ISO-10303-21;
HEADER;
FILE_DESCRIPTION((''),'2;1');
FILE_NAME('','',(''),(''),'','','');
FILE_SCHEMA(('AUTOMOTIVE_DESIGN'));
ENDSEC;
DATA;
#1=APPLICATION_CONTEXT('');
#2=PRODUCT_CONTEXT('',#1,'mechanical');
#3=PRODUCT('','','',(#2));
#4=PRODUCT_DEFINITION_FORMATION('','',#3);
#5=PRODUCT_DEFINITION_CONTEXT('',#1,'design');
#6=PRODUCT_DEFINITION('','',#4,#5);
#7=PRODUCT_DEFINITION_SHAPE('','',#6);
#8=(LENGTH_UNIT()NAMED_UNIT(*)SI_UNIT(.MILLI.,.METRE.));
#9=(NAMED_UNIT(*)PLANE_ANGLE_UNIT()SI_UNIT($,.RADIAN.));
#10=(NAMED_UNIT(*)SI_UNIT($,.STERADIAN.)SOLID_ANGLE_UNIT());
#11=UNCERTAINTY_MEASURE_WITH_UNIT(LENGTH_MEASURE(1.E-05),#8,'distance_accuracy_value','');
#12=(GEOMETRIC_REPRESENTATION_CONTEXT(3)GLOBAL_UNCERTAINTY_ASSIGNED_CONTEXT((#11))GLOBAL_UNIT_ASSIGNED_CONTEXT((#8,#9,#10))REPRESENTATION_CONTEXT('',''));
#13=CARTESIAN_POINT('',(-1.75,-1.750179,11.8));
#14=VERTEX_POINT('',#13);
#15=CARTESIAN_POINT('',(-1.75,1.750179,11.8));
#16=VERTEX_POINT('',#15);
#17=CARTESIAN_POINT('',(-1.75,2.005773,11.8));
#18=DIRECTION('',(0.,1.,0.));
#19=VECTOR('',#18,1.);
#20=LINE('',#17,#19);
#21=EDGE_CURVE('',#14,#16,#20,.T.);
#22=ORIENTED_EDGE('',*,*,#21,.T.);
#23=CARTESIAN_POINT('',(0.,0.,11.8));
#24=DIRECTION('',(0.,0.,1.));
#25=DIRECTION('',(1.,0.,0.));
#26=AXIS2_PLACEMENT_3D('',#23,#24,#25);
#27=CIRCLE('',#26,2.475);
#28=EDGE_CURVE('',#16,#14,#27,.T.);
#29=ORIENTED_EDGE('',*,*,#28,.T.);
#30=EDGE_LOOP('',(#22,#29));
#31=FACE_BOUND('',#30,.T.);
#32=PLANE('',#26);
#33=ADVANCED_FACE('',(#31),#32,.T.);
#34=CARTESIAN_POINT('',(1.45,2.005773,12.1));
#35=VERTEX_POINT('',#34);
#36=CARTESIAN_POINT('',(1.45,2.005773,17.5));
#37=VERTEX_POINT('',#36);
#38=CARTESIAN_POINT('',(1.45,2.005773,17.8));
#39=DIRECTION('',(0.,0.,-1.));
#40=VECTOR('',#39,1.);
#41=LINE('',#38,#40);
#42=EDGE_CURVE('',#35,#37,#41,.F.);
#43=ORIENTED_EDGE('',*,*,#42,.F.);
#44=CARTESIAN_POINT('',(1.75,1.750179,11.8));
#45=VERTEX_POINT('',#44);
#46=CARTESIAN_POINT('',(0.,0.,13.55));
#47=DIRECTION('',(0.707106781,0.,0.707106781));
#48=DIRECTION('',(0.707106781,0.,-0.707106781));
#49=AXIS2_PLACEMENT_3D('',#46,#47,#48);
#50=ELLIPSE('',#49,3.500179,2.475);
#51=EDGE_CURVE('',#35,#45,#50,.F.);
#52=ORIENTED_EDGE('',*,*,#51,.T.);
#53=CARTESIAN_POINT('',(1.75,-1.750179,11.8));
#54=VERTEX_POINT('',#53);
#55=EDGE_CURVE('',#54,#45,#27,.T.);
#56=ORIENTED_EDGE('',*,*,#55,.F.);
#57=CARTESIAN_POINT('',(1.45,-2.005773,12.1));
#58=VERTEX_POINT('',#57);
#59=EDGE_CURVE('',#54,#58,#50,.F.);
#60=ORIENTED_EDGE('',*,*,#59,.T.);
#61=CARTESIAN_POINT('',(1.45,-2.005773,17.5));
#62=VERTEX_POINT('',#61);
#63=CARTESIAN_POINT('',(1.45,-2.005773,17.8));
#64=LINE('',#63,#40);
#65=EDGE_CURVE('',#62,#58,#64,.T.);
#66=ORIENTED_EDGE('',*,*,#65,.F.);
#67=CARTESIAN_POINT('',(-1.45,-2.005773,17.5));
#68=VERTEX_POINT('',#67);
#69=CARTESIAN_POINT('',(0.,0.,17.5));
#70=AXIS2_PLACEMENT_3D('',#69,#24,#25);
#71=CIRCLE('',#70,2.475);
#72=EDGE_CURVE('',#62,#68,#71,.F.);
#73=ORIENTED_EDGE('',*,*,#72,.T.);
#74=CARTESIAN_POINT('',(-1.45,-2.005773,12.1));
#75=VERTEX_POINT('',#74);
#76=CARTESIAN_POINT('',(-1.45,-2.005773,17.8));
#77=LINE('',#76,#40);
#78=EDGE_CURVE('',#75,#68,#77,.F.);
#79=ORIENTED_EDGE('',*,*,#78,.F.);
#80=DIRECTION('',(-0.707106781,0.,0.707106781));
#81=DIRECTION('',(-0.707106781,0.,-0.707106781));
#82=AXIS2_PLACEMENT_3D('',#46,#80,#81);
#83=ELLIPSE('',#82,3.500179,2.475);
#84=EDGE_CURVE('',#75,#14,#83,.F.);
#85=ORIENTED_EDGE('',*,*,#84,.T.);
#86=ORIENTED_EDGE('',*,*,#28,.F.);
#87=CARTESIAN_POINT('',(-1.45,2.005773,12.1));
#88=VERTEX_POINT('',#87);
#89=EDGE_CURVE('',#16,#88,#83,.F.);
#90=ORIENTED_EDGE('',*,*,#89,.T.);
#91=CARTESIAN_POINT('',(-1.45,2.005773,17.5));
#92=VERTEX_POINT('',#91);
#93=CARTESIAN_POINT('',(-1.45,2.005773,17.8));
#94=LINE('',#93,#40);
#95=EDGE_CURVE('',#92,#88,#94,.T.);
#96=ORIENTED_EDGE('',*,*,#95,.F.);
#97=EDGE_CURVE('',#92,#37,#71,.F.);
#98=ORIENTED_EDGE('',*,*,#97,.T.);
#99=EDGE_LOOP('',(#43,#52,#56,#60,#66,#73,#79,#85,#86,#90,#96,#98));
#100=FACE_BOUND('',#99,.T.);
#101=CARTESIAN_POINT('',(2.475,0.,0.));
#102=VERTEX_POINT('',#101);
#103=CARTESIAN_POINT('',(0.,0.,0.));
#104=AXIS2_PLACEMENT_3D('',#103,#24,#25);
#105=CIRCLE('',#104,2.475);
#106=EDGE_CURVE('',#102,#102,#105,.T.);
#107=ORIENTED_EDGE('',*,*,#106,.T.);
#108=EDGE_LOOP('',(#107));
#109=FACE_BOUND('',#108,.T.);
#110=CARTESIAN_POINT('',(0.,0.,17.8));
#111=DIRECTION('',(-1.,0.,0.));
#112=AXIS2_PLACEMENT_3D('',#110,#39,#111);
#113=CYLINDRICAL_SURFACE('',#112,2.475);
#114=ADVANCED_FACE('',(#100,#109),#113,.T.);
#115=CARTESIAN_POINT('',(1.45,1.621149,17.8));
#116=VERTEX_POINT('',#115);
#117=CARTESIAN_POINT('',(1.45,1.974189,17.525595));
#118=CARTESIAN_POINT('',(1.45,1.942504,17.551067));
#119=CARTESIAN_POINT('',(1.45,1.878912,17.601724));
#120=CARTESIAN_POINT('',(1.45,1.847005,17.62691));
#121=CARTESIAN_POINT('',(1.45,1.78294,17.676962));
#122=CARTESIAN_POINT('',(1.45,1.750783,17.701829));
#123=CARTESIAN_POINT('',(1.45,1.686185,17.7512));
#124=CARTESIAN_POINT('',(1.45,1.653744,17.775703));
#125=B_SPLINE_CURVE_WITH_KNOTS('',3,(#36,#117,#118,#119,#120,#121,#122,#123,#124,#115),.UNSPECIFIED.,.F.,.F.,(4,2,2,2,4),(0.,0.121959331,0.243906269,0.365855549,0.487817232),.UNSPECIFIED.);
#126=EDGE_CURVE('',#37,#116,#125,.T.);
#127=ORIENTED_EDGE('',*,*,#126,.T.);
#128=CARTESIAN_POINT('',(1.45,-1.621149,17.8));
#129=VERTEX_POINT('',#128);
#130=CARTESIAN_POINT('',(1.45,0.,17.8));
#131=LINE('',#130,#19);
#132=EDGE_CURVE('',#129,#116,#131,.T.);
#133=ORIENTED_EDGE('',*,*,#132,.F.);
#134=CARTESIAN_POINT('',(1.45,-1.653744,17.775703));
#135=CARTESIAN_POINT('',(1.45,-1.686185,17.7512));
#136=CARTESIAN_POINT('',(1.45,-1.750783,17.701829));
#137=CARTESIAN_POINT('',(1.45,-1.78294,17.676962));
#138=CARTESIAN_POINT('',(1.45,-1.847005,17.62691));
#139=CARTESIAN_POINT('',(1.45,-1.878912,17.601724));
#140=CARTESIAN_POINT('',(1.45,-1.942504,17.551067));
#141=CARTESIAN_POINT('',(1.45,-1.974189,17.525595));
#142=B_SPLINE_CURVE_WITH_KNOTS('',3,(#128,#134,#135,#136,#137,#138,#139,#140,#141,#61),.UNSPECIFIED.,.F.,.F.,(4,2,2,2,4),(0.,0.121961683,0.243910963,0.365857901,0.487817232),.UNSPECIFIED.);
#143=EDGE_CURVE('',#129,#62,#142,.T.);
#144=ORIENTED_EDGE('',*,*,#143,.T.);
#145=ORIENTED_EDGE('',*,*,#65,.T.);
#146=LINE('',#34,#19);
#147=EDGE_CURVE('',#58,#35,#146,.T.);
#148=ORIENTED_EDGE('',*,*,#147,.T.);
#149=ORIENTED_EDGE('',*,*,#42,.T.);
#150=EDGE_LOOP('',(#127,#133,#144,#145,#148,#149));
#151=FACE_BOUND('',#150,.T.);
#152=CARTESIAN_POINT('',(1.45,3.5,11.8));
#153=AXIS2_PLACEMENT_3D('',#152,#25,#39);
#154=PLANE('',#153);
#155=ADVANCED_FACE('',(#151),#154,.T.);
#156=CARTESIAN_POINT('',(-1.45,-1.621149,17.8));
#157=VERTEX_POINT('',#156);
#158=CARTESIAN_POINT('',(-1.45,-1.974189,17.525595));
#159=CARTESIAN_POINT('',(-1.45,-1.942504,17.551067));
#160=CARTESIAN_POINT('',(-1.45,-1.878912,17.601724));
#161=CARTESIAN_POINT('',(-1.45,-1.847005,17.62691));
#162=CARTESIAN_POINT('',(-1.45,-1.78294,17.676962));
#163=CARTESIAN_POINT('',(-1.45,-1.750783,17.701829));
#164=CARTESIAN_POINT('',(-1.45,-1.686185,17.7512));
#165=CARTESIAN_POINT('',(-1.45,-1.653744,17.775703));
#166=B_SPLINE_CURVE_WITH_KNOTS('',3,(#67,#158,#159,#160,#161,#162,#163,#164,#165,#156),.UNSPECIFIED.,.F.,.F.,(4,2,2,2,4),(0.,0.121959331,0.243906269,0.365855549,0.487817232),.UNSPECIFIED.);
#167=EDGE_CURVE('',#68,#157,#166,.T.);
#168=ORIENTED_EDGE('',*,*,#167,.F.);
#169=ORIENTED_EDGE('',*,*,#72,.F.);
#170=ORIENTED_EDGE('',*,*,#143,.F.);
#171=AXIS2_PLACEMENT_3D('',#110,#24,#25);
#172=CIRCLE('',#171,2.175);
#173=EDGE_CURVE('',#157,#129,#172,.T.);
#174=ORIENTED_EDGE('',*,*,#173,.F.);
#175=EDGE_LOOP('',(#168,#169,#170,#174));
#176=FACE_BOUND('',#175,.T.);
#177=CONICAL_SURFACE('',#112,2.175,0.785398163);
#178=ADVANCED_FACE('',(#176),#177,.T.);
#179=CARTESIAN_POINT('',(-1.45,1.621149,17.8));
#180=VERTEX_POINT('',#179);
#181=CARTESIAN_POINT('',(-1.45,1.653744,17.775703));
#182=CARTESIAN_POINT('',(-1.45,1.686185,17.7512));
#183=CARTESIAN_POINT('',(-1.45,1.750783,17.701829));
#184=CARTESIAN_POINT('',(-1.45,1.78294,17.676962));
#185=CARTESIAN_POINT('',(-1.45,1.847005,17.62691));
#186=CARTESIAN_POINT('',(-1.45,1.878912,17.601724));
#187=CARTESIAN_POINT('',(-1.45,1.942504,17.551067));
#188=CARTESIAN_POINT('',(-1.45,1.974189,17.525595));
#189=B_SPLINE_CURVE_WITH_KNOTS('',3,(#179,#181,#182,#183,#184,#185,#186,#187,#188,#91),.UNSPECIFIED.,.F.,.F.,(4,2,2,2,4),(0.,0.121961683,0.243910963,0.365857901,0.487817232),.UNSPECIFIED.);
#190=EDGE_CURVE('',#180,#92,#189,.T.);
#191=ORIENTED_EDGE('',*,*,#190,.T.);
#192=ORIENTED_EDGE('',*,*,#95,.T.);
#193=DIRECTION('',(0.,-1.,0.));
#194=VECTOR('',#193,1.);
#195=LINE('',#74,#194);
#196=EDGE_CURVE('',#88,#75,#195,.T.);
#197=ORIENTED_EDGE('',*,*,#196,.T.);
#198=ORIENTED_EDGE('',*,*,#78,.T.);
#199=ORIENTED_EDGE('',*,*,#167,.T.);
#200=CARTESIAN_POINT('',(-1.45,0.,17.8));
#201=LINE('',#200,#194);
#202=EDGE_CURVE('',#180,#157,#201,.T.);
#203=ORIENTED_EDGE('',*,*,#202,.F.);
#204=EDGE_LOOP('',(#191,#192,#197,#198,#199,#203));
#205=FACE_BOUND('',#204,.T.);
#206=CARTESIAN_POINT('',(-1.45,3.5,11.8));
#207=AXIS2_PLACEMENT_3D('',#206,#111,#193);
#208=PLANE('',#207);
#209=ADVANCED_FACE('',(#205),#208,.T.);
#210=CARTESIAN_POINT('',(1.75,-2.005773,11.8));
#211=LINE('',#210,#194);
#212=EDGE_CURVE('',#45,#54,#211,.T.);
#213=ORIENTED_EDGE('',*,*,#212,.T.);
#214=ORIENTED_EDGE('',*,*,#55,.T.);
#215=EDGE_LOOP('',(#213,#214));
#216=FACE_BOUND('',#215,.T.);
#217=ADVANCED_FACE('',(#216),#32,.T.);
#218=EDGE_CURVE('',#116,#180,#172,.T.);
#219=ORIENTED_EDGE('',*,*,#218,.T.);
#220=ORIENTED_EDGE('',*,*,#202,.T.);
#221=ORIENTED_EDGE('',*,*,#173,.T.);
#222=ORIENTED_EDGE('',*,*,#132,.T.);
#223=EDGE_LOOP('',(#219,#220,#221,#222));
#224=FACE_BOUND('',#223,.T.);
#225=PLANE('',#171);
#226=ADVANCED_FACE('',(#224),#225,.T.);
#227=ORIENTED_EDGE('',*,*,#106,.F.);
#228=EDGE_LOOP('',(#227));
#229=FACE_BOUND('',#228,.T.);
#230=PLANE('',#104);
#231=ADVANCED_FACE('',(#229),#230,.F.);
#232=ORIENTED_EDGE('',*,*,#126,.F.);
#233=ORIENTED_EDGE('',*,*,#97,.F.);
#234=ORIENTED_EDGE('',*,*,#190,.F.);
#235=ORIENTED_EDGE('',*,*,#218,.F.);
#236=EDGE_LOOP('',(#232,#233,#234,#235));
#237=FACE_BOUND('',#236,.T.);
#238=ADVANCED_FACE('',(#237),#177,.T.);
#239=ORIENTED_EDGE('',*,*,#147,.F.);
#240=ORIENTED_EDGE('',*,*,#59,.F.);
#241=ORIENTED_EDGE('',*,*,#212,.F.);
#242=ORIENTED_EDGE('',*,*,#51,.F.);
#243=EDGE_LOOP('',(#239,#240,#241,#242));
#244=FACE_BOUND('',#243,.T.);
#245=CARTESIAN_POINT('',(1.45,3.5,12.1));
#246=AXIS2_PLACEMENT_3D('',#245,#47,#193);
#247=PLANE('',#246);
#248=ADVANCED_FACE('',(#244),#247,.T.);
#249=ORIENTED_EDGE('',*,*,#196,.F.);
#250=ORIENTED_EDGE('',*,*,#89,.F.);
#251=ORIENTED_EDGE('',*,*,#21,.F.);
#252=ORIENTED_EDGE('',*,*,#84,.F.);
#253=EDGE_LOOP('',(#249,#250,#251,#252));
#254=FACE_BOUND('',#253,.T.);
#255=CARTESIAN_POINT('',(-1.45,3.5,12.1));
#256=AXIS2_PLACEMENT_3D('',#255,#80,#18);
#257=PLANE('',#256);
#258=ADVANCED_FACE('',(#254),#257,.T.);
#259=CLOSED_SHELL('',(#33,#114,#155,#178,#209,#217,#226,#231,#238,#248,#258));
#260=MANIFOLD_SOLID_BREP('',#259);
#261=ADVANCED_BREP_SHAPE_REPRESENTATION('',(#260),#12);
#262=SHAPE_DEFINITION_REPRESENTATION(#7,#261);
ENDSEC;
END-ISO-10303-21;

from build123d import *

# Parameters (mm, degrees)
SKETCH1_R           = 2.475
EXTRUDE1_DEPTH      = 17.8
SKETCH2_OUTSIDE_W   = 10.776
SKETCH2_OUTSIDE_H   = 10.776
SKETCH2_OUTSIDE_W_2 = 2.9
SKETCH2_OUTSIDE_H_2 = 7
EXTRUDE2_DEPTH      = 6
CHAMFER1_SIZE       = 0.3
CHAMFER2_SIZE       = 0.3


with BuildPart() as part:
    # Sketch1 → Extrude1 (new body)
    with BuildSketch(Plane.XY):
        Circle(SKETCH1_R)
    extrude(amount=EXTRUDE1_DEPTH)

    # Sketch2 outside → Extrude2 (cut)
    with BuildSketch(Plane.XY.offset(17.8)):
        Rectangle(SKETCH2_OUTSIDE_W, SKETCH2_OUTSIDE_H)
        Rectangle(SKETCH2_OUTSIDE_W_2, SKETCH2_OUTSIDE_H_2, mode=Mode.SUBTRACT)
    extrude(amount=-EXTRUDE2_DEPTH, mode=Mode.SUBTRACT)

    # Chamfer1
    chamfer1_edges = [part.edges().sort_by_distance(p)[0] for p in [
        (0, 2.475, 17.8),
        (0, -2.475, 17.8),
    ]]
    chamfer(chamfer1_edges, length=CHAMFER1_SIZE)

    # Chamfer2
    chamfer2_edges = [part.edges().sort_by_distance(p)[0] for p in [
        (-1.45, 0, 11.8),
        (1.45, 0, 11.8),
    ]]
    chamfer(chamfer2_edges, length=CHAMFER2_SIZE)


solid = part.part
